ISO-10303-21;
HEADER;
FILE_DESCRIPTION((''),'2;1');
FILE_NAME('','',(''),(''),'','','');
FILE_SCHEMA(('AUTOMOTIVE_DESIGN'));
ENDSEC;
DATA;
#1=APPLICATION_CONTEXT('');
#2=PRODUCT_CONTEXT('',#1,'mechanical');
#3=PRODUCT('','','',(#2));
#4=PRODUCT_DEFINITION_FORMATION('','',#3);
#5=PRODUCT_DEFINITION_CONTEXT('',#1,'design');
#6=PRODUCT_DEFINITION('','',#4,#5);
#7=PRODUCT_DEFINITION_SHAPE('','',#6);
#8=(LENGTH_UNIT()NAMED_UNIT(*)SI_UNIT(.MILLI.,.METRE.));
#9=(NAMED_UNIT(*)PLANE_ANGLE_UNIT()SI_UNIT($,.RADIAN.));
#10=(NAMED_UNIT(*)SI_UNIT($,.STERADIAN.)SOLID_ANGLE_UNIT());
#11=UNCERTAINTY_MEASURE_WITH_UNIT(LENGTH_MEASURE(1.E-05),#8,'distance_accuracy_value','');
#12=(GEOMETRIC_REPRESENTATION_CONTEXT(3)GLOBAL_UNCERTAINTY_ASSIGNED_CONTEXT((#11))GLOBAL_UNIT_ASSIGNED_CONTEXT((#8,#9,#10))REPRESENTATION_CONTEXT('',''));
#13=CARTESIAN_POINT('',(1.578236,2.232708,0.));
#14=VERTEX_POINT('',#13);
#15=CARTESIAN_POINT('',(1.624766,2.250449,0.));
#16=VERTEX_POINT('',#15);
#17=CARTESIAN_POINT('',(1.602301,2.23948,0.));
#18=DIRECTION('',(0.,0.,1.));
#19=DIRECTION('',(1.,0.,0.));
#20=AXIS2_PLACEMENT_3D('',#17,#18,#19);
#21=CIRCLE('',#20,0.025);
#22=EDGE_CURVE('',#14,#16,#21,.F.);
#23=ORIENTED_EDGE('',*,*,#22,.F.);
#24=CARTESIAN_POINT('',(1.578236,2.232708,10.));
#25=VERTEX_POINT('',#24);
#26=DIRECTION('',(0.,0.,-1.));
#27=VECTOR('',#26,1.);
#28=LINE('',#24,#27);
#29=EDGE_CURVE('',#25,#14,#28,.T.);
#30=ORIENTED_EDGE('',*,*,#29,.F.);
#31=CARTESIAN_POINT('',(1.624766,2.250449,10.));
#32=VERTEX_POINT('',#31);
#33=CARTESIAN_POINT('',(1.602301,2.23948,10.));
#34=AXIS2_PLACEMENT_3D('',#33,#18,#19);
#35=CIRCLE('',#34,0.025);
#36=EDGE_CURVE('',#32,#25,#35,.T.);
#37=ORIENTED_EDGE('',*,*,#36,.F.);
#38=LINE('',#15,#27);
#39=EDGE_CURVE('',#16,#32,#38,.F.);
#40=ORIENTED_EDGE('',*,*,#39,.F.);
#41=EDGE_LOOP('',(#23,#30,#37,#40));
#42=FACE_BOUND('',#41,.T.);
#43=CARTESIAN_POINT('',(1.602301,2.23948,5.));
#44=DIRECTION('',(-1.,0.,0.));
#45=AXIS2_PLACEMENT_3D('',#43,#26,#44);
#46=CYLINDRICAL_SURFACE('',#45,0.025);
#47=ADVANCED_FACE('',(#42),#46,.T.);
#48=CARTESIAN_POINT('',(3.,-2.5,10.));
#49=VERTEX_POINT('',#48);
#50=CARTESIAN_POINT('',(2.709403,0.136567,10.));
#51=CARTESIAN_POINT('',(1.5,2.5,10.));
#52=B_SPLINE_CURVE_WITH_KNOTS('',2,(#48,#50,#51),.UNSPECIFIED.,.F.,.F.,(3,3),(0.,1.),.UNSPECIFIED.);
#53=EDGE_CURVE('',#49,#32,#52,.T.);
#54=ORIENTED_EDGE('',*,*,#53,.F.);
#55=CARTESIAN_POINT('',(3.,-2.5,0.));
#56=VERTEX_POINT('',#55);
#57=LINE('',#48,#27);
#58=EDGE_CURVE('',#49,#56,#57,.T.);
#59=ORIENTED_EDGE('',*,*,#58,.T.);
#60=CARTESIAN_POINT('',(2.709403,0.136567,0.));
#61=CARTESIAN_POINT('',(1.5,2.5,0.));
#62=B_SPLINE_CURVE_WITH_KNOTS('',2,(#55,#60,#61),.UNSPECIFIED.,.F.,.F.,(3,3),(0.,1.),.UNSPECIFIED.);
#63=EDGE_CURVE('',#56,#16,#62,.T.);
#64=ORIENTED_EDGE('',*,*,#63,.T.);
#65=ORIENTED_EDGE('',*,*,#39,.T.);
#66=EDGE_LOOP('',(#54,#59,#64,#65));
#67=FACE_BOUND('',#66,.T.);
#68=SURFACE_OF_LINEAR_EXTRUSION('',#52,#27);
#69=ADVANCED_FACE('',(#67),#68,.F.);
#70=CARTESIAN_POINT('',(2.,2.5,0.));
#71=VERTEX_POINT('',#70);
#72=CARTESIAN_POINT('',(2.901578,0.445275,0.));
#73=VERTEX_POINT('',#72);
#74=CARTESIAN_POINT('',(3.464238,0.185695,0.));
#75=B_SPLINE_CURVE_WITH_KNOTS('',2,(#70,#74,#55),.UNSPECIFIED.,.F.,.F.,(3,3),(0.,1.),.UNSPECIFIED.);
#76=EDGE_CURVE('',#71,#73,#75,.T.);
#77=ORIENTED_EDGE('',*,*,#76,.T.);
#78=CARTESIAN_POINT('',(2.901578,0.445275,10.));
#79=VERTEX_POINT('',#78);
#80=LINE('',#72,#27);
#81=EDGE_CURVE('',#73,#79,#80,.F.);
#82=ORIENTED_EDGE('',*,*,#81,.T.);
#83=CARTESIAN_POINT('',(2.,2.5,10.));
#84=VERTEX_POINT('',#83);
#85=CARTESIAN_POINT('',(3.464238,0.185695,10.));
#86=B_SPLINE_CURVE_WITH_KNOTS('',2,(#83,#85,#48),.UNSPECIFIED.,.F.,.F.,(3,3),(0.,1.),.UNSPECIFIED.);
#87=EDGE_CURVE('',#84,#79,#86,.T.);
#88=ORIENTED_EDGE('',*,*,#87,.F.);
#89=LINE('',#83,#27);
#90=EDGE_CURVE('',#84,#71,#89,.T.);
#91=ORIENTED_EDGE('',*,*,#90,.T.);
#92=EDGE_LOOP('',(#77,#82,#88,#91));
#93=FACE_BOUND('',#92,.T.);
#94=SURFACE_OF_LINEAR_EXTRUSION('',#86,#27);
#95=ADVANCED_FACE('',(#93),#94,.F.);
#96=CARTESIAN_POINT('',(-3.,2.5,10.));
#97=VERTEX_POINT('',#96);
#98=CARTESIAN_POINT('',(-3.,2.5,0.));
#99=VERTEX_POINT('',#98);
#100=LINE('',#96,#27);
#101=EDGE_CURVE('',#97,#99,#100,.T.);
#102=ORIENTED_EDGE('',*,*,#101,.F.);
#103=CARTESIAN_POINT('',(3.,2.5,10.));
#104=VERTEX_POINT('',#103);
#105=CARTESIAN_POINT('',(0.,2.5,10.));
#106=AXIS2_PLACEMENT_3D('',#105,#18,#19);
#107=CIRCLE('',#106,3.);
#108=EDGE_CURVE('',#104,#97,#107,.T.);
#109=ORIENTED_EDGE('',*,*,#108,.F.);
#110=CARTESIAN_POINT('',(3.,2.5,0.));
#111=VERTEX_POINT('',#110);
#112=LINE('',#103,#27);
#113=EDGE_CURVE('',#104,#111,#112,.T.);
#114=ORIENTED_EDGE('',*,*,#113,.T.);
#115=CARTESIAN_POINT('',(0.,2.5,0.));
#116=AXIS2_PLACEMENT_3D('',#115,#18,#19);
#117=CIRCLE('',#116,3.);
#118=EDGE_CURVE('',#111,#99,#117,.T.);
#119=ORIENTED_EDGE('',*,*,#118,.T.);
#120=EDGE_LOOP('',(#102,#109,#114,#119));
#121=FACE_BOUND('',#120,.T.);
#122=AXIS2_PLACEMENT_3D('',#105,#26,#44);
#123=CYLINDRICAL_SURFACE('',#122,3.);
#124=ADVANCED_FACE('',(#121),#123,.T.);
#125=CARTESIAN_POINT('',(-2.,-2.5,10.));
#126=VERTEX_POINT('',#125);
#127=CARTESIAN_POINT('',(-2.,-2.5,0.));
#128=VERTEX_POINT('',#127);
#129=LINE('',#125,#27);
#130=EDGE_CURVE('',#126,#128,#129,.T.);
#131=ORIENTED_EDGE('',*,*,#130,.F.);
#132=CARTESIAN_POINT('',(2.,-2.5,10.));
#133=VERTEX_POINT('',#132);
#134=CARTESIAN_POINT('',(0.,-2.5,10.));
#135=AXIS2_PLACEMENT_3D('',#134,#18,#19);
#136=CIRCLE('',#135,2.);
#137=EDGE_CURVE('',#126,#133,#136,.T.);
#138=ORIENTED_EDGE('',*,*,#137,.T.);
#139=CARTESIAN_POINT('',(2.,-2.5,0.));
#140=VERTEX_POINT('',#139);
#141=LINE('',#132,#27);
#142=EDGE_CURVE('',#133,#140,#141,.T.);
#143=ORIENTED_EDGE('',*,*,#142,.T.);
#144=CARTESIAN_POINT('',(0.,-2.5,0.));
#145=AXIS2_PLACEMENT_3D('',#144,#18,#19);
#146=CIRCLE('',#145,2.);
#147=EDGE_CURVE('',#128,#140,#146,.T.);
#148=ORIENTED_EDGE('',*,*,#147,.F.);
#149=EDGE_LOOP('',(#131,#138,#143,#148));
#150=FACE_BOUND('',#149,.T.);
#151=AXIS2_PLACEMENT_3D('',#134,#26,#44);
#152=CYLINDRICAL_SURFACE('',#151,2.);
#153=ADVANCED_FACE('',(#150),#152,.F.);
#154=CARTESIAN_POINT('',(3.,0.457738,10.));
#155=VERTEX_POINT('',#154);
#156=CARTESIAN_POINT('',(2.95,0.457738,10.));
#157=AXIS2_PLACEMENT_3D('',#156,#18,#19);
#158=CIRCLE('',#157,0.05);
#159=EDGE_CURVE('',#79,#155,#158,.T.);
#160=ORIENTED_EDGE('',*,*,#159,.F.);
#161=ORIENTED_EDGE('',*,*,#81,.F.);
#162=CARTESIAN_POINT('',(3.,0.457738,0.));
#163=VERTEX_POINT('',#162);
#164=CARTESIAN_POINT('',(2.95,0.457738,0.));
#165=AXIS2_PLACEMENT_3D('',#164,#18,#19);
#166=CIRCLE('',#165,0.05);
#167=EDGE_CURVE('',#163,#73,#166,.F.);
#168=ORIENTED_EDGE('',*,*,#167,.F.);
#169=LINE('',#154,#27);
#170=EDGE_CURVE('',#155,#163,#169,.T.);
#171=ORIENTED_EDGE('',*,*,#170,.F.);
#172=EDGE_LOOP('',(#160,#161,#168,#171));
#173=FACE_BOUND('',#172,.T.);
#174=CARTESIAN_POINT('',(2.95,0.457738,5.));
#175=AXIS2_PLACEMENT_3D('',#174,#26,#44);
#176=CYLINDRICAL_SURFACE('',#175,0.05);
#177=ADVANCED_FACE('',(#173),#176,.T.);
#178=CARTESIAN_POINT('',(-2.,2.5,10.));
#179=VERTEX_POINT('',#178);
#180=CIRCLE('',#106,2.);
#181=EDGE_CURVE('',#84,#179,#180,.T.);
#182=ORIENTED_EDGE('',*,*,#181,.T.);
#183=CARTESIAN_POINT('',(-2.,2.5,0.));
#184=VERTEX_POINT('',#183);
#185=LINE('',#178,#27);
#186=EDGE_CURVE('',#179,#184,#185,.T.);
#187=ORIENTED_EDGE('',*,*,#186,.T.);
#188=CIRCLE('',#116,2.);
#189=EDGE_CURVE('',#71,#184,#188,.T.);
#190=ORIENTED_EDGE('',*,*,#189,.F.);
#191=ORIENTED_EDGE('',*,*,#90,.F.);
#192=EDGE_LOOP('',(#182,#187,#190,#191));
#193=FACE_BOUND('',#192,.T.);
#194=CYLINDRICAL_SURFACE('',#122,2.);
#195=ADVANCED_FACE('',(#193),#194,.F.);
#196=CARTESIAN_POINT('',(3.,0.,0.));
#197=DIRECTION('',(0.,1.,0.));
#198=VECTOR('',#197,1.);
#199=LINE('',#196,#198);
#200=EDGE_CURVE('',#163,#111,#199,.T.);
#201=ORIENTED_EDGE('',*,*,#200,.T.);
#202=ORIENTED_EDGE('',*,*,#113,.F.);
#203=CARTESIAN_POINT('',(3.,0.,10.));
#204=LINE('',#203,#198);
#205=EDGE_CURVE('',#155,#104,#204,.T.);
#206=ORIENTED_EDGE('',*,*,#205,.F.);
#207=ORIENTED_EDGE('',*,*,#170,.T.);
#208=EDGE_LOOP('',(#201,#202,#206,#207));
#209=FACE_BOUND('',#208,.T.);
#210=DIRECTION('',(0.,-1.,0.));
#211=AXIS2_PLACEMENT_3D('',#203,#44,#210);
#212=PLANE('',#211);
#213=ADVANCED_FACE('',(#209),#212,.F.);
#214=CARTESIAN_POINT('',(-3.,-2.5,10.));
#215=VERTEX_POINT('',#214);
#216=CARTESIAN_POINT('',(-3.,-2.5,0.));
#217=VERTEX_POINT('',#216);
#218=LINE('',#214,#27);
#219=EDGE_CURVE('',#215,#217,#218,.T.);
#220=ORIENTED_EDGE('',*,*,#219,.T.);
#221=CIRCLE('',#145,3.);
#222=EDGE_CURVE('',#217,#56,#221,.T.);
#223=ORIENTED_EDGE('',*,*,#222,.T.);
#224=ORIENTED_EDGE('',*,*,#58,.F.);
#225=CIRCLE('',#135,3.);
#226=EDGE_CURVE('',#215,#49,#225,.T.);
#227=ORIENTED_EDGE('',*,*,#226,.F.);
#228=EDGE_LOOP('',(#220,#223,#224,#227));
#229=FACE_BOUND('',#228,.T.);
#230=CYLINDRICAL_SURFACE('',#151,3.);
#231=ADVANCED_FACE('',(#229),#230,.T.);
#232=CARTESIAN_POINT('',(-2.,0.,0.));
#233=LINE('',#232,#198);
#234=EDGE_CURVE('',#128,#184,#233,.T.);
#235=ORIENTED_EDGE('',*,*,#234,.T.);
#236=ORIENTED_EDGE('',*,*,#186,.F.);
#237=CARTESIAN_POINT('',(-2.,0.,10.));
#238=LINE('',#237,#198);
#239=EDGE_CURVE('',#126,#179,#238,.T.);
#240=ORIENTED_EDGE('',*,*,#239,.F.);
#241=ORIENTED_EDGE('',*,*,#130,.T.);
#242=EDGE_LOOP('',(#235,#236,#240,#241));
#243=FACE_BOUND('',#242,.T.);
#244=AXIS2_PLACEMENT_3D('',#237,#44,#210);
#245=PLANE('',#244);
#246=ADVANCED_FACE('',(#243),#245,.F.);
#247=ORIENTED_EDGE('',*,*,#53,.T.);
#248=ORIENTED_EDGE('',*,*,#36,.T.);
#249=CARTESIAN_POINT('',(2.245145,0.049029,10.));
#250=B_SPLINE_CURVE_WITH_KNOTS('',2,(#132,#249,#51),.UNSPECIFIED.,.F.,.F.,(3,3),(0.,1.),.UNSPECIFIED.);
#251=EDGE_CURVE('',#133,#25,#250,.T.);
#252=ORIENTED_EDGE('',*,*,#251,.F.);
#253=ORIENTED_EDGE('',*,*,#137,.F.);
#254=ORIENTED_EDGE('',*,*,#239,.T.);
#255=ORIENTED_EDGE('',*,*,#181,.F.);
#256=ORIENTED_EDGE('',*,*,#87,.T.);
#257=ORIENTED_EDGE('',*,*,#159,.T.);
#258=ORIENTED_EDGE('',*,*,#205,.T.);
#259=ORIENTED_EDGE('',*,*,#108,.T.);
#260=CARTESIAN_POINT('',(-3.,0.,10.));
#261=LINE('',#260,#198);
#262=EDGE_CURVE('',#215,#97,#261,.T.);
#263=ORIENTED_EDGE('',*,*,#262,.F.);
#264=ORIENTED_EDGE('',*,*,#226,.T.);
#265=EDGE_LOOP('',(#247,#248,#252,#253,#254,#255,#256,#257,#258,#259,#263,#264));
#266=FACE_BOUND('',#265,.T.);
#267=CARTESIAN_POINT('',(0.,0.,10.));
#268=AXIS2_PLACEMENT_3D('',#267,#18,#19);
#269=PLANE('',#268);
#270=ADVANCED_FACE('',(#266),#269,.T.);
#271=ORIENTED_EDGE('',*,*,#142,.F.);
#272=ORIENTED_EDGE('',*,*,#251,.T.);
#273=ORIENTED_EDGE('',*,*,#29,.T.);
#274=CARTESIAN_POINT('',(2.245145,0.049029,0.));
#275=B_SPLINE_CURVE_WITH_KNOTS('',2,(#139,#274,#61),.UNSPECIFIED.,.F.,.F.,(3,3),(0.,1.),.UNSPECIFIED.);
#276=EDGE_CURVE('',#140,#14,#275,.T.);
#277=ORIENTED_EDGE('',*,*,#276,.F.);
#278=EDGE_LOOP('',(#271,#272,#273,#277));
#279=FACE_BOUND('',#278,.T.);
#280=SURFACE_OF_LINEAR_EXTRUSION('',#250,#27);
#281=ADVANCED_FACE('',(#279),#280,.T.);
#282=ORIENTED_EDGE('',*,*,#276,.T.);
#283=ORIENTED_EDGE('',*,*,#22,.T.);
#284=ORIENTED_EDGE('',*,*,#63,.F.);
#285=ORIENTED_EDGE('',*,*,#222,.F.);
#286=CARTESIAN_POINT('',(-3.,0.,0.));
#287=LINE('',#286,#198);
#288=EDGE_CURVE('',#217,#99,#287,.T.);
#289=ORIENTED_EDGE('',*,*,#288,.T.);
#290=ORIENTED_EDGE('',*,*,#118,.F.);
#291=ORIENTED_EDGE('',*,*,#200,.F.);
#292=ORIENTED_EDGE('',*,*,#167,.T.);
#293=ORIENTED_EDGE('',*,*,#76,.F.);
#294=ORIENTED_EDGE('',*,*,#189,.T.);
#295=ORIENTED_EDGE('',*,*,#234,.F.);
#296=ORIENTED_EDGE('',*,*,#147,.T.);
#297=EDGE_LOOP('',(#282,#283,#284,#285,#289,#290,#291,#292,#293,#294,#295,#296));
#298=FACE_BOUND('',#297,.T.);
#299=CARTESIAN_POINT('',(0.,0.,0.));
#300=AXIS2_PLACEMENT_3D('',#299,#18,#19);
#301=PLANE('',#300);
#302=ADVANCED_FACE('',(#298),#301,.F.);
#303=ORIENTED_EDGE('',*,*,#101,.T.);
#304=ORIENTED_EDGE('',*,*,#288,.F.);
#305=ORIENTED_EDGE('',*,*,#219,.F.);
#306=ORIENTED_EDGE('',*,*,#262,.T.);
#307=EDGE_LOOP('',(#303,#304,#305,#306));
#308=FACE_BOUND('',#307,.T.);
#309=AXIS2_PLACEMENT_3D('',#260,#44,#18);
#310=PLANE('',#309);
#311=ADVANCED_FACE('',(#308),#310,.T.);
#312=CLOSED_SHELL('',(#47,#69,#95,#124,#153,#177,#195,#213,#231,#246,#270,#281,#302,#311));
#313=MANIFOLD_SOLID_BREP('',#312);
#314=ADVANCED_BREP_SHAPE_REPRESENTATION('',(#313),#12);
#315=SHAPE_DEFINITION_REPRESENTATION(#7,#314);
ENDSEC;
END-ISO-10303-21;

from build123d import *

# Parameters (mm, degrees)
BOSS_EXTRUDE1_DEPTH = 10
FILLET1_R           = 0.025
FILLET2_R           = 0.05


with BuildPart() as part:
    # Sketch1 → Boss-Extrude1 (new body)
    with BuildSketch(Plane.XY):
        with BuildLine():
            ThreePointArc((2, -2.5), (0, -4.5), (-2, -2.5))
            Line((-2, -2.5), (-2, 2.5))
            ThreePointArc((-2, 2.5), (0, 4.5), (2, 2.5))
            add(Edge.make_bspline(
                [(2, 2.5), (2.759271996, 1.299931224), (3, 0)],
                knots=[0, 0, 0, 0.518543991, 0.518543991, 0.518543991], degree=2))
            Line((3, 0), (3, 2.5))
            ThreePointArc((3, 2.5), (0, 5.5), (-3, 2.5))
            Line((-3, 2.5), (-3, -2.5))
            ThreePointArc((-3, -2.5), (0, -5.5), (3, -2.5))
            add(Edge.make_bspline(
                [(3, -2.5), (2.709402649, 0.136566945), (1.5, 2.5)],
                knots=[0, 0, 0, 1, 1, 1], degree=2))
            add(Edge.make_bspline(
                [(2, -2.5), (2.245145169, 0.049029034), (1.5, 2.5)],
                knots=[0, 0, 0, 1, 1, 1], degree=2))
        make_face()
    extrude(amount=BOSS_EXTRUDE1_DEPTH)

    # Fillet1
    fillet1_edges = [part.edges().sort_by_distance(p)[0] for p in [
        (1.5, 2.5, 5),
    ]]
    fillet(fillet1_edges, radius=FILLET1_R)

    # Fillet2
    fillet2_edges = [part.edges().sort_by_distance(p)[0] for p in [
        (3, 0, 5),
    ]]
    fillet(fillet2_edges, radius=FILLET2_R)


solid = part.part
